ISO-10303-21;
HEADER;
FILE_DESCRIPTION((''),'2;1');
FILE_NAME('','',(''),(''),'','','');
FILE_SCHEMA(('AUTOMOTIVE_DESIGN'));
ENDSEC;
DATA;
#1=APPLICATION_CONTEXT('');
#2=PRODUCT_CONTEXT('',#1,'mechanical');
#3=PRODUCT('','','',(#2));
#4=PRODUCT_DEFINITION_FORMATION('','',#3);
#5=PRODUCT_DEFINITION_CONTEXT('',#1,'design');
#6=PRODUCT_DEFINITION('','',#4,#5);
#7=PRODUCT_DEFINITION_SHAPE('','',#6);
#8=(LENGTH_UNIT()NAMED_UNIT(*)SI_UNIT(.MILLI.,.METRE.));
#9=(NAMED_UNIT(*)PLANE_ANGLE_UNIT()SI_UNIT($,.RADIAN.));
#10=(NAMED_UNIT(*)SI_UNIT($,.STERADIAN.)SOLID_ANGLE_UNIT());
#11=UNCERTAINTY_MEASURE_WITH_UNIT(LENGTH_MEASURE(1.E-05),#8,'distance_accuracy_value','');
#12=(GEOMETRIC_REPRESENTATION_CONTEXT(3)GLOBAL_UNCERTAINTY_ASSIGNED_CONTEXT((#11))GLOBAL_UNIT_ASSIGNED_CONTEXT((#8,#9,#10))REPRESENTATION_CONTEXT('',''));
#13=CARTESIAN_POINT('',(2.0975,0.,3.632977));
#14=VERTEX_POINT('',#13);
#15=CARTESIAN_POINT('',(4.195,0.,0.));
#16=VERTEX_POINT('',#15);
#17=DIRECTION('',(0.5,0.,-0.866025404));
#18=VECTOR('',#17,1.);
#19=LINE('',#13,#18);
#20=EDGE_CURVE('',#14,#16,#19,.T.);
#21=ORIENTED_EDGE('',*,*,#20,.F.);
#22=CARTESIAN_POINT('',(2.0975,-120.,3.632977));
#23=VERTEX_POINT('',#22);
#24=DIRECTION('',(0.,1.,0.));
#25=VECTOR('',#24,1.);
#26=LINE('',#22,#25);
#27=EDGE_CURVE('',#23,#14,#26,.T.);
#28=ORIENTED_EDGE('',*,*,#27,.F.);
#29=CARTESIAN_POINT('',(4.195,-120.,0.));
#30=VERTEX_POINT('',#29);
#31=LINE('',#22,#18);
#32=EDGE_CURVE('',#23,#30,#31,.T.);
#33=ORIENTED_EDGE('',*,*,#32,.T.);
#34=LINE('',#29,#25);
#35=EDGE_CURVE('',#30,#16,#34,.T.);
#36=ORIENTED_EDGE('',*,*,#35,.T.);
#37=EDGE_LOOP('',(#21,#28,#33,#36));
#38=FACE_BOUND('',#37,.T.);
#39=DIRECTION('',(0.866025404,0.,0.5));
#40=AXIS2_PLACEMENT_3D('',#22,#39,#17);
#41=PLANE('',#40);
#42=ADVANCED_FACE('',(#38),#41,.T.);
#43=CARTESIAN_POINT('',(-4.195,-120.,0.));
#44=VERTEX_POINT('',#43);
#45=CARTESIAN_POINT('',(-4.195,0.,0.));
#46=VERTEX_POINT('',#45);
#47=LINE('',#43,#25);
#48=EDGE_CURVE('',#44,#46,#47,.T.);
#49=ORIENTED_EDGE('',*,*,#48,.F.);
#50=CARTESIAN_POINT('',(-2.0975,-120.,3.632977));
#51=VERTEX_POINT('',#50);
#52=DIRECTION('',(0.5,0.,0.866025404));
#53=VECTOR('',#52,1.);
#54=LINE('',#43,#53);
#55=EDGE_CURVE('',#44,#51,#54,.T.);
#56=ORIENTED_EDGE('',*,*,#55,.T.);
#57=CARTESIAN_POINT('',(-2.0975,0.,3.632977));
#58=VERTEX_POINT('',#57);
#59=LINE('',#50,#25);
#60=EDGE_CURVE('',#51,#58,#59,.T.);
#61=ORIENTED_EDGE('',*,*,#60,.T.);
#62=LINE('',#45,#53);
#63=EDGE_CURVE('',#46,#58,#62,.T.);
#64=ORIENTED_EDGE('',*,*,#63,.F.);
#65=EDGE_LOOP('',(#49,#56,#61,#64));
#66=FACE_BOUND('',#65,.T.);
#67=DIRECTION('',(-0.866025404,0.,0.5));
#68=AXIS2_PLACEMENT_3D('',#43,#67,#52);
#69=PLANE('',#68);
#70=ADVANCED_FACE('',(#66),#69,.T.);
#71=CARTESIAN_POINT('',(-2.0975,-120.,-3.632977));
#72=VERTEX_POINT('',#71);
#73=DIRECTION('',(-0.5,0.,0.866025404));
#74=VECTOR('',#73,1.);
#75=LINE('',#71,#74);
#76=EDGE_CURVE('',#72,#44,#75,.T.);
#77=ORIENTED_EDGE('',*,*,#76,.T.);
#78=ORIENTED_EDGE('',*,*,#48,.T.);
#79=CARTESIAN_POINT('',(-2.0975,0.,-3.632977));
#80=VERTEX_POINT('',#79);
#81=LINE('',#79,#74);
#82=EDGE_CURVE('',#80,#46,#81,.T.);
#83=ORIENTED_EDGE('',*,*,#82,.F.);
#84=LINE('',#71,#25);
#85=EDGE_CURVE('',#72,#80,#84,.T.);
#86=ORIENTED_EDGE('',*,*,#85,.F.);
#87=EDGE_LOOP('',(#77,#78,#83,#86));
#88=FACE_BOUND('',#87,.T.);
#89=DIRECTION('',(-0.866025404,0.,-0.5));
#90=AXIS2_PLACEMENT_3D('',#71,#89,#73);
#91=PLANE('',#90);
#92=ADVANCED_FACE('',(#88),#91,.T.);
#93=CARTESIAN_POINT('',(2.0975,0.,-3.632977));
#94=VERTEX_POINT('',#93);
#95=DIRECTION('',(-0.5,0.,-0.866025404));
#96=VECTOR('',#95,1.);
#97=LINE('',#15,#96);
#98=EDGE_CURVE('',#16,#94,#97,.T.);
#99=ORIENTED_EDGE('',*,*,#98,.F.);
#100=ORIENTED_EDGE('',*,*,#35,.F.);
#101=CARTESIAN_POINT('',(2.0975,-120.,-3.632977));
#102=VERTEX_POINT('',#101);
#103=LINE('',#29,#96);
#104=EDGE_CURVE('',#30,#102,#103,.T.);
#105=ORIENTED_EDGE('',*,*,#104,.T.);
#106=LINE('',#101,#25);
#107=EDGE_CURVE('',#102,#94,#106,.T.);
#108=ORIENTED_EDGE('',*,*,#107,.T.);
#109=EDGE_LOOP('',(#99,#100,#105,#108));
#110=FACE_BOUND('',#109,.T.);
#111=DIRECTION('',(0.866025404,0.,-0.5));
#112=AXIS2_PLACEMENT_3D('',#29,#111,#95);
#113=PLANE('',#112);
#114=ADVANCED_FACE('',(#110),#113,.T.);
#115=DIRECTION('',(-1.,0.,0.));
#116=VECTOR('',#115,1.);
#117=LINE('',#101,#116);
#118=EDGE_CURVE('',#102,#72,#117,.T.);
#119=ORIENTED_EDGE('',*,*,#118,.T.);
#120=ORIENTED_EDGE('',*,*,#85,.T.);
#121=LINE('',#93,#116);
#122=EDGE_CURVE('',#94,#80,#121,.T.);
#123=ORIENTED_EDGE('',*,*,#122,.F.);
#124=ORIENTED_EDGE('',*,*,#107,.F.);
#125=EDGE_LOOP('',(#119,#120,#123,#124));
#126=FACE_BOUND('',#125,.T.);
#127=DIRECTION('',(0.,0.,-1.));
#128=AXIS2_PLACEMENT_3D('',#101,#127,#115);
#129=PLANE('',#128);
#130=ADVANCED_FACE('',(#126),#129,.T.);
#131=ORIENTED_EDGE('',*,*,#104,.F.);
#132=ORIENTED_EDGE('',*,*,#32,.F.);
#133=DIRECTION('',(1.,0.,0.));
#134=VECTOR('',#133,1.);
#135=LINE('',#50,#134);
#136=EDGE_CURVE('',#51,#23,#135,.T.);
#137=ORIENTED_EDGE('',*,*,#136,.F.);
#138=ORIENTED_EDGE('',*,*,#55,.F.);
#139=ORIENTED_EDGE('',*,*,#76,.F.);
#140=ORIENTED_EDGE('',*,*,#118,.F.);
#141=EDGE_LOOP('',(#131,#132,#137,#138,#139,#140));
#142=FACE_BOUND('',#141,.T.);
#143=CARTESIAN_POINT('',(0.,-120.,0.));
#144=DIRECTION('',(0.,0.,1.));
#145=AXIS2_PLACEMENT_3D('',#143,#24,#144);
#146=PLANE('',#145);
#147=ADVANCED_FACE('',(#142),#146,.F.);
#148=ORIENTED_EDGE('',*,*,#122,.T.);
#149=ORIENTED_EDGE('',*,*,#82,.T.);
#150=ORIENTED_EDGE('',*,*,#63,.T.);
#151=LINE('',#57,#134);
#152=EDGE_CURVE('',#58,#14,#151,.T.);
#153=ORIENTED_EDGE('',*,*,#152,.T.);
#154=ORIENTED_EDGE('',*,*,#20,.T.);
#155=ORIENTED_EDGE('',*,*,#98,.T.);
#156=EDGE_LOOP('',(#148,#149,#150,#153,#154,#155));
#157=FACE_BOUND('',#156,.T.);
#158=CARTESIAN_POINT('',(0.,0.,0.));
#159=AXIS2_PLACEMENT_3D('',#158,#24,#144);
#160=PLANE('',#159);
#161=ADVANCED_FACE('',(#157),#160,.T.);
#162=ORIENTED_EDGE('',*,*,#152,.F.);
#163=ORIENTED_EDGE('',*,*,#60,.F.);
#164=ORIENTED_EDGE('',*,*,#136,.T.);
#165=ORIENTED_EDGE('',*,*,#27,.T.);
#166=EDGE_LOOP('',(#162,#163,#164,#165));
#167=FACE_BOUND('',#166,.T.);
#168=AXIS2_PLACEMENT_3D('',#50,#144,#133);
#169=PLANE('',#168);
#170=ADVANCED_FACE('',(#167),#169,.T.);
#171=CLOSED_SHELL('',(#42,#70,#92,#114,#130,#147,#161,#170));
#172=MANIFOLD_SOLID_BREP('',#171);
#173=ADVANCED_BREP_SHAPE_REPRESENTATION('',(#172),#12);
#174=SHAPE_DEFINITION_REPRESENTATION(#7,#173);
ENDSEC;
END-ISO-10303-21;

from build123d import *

# Parameters (mm, degrees)
BOSS_EXTRUDE1_DEPTH = 120


with BuildPart() as part:
    # Sketch1 → Boss-Extrude1 (new body)
    with BuildSketch(Plane(origin=(0, 0, 0), x_dir=(1, 0, 0), z_dir=(0, 1, 0))):
        Polygon((2.0975, 3.632976569), (-2.0975, 3.632976569), (-4.195, 0), (-2.0975, -3.632976569), (2.0975, -3.632976569), (4.195, 0), align=None)
    extrude(amount=-BOSS_EXTRUDE1_DEPTH)


solid = part.part
